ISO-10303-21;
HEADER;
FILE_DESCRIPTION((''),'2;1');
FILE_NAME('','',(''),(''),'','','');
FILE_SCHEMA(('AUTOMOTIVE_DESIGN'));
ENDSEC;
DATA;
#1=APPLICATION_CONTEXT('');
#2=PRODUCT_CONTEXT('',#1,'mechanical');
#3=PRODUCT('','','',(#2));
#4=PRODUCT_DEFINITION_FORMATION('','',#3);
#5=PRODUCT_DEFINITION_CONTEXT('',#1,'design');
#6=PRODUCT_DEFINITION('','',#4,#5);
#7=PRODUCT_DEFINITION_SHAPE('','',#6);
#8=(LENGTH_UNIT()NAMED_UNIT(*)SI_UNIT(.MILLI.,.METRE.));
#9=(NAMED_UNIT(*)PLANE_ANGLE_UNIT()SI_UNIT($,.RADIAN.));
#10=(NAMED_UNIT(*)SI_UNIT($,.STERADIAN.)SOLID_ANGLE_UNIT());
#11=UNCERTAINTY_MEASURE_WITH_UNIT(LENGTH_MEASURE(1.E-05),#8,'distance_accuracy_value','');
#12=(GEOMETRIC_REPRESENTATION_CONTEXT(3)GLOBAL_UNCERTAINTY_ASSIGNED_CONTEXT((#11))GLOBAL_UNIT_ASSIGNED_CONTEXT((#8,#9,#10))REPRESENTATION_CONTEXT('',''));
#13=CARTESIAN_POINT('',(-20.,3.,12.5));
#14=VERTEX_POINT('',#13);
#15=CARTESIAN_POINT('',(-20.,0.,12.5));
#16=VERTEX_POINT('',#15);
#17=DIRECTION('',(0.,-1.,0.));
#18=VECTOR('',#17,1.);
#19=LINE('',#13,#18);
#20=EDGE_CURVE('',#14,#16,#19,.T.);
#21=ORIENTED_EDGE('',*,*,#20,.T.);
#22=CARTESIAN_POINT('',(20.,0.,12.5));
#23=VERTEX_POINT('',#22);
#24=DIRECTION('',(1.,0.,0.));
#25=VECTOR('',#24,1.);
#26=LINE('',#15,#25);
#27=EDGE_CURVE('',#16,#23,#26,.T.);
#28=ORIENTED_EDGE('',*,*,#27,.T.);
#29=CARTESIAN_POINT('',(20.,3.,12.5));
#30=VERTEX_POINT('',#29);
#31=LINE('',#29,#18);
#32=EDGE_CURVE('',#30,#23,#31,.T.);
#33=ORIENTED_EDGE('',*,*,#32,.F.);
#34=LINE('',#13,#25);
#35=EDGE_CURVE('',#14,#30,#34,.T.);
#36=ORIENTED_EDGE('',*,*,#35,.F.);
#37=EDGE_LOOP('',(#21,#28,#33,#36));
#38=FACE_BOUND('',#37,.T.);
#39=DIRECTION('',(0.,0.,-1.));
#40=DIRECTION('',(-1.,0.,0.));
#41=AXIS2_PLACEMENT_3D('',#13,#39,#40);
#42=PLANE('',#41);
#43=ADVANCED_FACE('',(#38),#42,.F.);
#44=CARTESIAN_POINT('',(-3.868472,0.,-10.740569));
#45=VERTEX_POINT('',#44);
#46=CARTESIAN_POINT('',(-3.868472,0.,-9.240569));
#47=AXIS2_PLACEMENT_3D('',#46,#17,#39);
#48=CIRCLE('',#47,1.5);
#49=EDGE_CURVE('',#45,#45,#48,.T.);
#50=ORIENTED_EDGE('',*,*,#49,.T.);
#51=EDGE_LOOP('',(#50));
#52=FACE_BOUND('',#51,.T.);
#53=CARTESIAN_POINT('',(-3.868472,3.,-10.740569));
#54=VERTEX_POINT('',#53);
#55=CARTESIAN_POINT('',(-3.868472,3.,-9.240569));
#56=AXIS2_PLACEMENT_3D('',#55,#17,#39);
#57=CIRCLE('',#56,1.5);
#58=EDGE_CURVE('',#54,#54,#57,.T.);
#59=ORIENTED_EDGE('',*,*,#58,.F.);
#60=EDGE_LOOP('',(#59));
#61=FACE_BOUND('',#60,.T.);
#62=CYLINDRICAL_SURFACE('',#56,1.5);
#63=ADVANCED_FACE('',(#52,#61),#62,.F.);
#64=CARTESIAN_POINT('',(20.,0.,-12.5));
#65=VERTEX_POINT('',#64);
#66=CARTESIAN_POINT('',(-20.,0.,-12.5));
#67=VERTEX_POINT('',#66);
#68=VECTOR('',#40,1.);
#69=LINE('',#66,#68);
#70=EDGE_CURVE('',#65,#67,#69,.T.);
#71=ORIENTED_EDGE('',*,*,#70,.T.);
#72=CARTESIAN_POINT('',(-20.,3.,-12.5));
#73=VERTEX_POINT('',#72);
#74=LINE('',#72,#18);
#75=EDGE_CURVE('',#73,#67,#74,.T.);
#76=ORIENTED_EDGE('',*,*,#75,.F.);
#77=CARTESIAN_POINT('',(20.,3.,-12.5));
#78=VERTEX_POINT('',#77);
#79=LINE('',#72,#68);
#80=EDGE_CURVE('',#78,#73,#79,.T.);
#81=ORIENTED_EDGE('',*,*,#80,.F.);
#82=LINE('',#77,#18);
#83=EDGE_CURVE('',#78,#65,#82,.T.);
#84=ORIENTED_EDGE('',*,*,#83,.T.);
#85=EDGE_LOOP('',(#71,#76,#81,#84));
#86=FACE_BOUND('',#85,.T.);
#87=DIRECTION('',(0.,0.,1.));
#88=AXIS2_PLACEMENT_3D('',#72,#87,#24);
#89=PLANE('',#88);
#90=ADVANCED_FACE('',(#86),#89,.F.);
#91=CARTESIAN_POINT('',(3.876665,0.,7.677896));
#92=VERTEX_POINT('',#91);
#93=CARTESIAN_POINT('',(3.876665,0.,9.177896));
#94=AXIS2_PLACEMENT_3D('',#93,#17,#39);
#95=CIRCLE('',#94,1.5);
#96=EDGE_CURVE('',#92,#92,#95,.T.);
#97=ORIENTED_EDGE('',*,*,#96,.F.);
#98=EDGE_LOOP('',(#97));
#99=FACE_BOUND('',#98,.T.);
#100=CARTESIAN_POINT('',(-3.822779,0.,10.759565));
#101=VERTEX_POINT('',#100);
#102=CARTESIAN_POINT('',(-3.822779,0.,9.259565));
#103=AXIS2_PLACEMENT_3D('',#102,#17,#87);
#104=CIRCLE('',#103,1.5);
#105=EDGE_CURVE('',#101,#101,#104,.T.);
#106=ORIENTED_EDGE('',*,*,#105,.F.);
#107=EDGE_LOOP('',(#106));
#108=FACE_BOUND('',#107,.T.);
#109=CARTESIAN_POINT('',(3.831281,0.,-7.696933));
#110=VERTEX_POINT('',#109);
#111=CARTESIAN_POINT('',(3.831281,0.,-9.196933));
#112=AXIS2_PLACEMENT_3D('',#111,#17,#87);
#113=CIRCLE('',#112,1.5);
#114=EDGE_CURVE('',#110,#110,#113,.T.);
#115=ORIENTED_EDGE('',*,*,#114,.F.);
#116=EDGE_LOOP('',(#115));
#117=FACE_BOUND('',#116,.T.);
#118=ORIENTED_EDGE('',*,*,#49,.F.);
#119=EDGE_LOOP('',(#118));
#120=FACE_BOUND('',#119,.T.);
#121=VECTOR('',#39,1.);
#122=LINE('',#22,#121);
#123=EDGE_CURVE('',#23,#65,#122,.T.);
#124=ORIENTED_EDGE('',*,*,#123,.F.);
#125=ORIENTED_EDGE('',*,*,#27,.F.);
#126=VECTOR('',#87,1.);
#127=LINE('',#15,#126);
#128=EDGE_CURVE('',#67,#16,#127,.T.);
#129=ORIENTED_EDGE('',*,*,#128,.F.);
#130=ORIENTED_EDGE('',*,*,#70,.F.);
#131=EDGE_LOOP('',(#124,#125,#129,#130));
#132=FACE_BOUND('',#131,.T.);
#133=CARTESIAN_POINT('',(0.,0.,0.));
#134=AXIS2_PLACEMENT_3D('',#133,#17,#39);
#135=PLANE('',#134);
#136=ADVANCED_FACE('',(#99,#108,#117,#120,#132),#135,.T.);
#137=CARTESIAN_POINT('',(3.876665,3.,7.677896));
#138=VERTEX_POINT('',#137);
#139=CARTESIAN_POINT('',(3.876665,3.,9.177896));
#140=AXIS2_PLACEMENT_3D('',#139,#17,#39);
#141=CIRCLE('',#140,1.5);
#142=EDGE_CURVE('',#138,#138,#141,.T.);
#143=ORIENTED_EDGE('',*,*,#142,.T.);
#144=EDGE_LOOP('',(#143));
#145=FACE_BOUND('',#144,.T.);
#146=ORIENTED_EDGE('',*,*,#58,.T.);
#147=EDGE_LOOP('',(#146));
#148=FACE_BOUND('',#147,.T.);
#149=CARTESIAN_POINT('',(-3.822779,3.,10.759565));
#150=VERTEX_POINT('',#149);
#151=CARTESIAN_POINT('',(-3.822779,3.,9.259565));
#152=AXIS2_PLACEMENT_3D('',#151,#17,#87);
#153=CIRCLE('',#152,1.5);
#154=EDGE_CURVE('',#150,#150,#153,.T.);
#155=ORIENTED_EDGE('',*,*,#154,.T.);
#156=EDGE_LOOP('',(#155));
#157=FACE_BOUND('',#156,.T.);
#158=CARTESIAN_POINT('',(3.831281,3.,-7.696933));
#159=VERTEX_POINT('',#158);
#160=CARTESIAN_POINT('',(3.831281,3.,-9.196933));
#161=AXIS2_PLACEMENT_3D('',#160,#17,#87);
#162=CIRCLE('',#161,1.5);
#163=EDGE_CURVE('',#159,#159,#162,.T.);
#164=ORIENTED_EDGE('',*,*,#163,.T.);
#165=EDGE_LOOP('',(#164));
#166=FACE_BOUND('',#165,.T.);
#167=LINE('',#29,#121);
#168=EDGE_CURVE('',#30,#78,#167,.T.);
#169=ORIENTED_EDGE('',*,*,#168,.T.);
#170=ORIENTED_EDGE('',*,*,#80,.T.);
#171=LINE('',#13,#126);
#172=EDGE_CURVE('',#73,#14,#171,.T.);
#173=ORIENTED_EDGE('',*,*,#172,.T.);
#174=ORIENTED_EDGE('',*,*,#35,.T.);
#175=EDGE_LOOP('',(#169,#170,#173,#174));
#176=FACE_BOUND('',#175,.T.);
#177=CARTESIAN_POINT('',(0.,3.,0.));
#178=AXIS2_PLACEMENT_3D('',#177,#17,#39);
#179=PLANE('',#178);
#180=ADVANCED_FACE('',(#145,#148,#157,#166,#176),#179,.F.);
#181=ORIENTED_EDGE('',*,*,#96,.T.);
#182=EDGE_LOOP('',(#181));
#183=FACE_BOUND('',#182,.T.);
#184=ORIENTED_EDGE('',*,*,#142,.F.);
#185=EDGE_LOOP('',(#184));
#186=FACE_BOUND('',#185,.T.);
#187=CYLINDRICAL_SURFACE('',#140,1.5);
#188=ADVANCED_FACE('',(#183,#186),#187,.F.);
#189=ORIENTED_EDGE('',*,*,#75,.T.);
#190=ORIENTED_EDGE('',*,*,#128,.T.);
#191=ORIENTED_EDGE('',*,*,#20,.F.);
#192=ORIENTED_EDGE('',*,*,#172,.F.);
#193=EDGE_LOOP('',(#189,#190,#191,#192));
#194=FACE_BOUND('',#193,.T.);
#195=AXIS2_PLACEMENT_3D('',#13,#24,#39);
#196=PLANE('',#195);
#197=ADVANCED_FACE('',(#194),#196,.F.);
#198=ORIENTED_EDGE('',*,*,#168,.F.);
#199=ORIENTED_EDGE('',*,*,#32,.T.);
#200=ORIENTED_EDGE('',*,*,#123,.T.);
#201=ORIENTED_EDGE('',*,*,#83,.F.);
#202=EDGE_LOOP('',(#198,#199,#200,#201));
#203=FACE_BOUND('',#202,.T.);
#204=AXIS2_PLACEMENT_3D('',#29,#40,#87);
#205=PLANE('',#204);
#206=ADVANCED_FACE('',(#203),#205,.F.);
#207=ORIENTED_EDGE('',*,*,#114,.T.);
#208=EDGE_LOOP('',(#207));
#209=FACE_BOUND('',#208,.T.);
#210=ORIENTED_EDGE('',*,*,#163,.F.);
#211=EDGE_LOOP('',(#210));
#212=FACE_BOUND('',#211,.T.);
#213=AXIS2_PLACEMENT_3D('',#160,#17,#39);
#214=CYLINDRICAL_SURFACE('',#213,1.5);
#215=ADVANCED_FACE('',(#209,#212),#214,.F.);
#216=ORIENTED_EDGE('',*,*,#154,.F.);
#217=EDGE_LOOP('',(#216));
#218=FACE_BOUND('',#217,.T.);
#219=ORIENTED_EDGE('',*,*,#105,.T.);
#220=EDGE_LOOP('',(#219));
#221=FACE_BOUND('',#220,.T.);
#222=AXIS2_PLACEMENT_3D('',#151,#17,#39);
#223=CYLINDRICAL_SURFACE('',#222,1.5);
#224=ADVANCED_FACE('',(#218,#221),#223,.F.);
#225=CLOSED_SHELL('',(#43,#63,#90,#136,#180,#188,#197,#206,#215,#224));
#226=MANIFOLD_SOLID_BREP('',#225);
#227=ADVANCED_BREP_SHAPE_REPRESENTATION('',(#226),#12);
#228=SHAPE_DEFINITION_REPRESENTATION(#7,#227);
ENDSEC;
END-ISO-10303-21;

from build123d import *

# Parameters (mm, degrees)
SKETCH1_W           = 40
SKETCH1_H           = 25
BOSS_EXTRUDE1_DEPTH = 3
SKETCH2_R           = 1.5
CUT_EXTRUDE1_DEPTH  = 24.774986856


with BuildPart() as part:
    # Sketch1 → Boss-Extrude1 (new body)
    with BuildSketch(Plane(origin=(0, 0, 0), x_dir=(1, 0, 0), z_dir=(0, 1, 0))):
        Rectangle(SKETCH1_W, SKETCH1_H)
    extrude(amount=BOSS_EXTRUDE1_DEPTH)

    # Sketch2 → Cut-Extrude1 (cut, through all)
    with BuildSketch(Plane.XZ):
        with Locations(Location((-3.868471685, -9.240568852, 0), (0, 0, 270))):
            Circle(SKETCH2_R)
        with Locations(Location((3.831281025, -9.196933199, 0), (0, 0, 90))):
            Circle(SKETCH2_R)
        with Locations(Location((3.876664556, 9.177895536, 0), (0, 0, 270))):
            Circle(SKETCH2_R)
        with Locations(Location((-3.822778666, 9.259565279, 0), (0, 0, 90))):
            Circle(SKETCH2_R)
    extrude(amount=-CUT_EXTRUDE1_DEPTH, mode=Mode.SUBTRACT)


solid = part.part
